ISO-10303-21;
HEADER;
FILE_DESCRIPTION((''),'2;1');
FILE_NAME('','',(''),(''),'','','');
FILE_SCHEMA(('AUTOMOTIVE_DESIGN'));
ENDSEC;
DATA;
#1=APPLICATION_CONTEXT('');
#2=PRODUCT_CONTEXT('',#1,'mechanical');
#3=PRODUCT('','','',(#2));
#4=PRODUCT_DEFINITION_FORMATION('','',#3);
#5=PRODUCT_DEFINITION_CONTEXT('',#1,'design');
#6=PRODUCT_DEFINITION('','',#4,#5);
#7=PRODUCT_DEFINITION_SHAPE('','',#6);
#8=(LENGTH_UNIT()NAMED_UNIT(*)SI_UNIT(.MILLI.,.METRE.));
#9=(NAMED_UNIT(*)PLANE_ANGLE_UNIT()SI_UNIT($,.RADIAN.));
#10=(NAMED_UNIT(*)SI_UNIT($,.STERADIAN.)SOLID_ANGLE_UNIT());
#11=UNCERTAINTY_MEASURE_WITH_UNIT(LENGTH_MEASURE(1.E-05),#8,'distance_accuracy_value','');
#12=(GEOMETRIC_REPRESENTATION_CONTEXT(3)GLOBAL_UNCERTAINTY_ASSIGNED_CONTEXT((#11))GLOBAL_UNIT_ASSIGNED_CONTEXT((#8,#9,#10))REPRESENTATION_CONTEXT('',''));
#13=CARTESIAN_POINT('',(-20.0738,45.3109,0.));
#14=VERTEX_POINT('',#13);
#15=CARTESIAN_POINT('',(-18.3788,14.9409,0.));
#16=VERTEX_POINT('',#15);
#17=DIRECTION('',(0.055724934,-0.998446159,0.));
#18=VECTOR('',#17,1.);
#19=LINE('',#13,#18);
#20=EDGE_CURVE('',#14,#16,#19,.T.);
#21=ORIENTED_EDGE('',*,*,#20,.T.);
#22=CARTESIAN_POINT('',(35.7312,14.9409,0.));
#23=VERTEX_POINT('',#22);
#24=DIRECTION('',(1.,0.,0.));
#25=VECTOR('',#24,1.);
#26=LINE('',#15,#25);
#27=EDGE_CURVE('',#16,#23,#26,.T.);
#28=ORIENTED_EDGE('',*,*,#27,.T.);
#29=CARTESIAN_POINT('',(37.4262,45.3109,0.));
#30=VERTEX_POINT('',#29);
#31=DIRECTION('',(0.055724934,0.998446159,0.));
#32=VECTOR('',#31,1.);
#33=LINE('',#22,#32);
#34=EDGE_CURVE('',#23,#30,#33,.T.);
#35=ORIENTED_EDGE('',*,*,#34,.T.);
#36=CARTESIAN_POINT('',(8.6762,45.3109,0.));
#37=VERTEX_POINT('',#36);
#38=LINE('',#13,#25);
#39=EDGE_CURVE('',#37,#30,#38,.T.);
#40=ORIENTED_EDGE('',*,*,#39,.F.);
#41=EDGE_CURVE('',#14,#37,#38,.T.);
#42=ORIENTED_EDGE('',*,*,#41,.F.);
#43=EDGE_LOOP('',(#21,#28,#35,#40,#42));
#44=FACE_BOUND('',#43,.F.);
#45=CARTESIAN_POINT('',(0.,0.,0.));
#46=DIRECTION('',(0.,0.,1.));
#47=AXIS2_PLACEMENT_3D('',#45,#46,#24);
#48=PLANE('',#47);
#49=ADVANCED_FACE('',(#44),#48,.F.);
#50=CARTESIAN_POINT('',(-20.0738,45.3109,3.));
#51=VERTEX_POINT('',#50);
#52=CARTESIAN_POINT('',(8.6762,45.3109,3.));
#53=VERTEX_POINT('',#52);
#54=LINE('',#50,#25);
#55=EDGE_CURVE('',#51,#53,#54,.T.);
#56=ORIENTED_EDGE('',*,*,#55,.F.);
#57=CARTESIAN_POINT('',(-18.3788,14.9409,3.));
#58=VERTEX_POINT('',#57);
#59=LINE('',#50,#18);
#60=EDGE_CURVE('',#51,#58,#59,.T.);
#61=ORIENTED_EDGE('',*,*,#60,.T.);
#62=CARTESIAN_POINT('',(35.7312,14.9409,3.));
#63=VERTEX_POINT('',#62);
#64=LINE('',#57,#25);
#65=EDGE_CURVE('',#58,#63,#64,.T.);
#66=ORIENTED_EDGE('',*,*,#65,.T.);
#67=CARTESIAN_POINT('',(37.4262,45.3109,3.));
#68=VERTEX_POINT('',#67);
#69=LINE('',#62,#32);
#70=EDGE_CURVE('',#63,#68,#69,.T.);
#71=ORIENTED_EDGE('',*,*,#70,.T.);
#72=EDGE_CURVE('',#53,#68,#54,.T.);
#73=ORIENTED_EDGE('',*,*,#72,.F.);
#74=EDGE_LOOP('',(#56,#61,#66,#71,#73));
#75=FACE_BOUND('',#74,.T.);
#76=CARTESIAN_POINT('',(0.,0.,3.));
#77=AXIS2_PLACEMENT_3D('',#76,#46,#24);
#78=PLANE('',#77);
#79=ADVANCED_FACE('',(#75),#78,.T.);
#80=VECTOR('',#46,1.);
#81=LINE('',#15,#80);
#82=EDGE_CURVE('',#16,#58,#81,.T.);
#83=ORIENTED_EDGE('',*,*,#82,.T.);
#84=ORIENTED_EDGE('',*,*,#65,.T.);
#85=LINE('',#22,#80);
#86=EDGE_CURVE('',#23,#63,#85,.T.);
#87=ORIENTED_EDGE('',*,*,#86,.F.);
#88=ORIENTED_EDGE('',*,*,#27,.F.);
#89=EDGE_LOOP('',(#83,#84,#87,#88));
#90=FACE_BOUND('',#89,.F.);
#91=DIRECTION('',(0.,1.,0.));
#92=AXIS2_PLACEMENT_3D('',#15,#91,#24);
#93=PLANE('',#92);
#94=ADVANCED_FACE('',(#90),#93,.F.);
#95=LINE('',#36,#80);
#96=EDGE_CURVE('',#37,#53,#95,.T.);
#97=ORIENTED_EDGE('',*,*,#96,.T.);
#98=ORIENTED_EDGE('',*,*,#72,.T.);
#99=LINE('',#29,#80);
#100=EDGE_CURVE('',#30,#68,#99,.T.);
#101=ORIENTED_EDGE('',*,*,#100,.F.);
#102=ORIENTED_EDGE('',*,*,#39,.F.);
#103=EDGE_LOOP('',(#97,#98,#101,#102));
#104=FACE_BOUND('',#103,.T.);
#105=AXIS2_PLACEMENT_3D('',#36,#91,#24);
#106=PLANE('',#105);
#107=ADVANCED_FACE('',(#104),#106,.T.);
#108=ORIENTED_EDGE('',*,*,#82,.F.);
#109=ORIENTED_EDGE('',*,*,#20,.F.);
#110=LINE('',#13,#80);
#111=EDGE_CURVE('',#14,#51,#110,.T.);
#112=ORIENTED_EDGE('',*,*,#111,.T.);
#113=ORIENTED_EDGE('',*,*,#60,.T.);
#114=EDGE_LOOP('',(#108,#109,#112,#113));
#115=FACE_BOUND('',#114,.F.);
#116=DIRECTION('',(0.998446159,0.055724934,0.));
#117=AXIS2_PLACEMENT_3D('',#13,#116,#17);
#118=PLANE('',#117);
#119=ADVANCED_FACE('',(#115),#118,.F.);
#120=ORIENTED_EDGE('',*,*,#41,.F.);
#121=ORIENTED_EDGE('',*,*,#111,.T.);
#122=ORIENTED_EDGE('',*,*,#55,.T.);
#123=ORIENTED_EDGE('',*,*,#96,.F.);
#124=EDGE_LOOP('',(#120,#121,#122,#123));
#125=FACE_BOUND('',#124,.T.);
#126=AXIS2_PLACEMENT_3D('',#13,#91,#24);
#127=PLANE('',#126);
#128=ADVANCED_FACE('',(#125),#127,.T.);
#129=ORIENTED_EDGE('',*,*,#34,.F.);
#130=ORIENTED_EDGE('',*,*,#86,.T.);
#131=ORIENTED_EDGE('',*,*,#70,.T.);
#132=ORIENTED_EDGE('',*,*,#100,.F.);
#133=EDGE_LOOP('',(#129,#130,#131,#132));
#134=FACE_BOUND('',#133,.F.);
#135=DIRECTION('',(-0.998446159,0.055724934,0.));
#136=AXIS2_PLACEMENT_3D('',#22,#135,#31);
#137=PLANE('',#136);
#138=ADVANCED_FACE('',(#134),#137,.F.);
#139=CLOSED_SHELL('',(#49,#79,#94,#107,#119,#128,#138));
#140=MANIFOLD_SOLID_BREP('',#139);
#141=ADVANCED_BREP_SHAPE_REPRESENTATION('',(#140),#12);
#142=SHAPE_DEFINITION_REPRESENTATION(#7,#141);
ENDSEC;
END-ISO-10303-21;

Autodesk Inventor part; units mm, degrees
ref_plane "YZ Plane" through (0, 0, 0) normal (1, 0, 0) x (0, 1, 0)
ref_plane "XZ Plane" through (0, 0, 0) normal (0, 1, 0) x (-1, 0, 0)
ref_plane "XY Plane" through (0, 0, 0) normal (0, 0, 1) x (1, 0, 0)
sketch "Sketch1" plane through (0, 0, 0) normal (0, 0, 1) x (1, 0, 0)
  line L0 (-18.3788, 14.9409) -> (35.7312, 14.9409)
  line L1 (-20.0738, 45.3109) -> (37.4262, 45.3109)
  line L2 (35.7312, 14.9409) -> (37.4262, 45.3109)
  line L3 (-20.0738, 45.3109) -> (-18.3788, 14.9409)
  line L4 (8.6762, 45.3109) -> (8.6762, 16.4508)
  point P0 (0, 0)
  point P1 (8.6762, 14.9409)
  dimension "d0" = 54.11
  dimension "d1" = 57.5
  dimension "d2" = 30.37
  dimension "d3" = 0
extrude "Extrusion1" add sketch "Sketch1" along normal blind 3
